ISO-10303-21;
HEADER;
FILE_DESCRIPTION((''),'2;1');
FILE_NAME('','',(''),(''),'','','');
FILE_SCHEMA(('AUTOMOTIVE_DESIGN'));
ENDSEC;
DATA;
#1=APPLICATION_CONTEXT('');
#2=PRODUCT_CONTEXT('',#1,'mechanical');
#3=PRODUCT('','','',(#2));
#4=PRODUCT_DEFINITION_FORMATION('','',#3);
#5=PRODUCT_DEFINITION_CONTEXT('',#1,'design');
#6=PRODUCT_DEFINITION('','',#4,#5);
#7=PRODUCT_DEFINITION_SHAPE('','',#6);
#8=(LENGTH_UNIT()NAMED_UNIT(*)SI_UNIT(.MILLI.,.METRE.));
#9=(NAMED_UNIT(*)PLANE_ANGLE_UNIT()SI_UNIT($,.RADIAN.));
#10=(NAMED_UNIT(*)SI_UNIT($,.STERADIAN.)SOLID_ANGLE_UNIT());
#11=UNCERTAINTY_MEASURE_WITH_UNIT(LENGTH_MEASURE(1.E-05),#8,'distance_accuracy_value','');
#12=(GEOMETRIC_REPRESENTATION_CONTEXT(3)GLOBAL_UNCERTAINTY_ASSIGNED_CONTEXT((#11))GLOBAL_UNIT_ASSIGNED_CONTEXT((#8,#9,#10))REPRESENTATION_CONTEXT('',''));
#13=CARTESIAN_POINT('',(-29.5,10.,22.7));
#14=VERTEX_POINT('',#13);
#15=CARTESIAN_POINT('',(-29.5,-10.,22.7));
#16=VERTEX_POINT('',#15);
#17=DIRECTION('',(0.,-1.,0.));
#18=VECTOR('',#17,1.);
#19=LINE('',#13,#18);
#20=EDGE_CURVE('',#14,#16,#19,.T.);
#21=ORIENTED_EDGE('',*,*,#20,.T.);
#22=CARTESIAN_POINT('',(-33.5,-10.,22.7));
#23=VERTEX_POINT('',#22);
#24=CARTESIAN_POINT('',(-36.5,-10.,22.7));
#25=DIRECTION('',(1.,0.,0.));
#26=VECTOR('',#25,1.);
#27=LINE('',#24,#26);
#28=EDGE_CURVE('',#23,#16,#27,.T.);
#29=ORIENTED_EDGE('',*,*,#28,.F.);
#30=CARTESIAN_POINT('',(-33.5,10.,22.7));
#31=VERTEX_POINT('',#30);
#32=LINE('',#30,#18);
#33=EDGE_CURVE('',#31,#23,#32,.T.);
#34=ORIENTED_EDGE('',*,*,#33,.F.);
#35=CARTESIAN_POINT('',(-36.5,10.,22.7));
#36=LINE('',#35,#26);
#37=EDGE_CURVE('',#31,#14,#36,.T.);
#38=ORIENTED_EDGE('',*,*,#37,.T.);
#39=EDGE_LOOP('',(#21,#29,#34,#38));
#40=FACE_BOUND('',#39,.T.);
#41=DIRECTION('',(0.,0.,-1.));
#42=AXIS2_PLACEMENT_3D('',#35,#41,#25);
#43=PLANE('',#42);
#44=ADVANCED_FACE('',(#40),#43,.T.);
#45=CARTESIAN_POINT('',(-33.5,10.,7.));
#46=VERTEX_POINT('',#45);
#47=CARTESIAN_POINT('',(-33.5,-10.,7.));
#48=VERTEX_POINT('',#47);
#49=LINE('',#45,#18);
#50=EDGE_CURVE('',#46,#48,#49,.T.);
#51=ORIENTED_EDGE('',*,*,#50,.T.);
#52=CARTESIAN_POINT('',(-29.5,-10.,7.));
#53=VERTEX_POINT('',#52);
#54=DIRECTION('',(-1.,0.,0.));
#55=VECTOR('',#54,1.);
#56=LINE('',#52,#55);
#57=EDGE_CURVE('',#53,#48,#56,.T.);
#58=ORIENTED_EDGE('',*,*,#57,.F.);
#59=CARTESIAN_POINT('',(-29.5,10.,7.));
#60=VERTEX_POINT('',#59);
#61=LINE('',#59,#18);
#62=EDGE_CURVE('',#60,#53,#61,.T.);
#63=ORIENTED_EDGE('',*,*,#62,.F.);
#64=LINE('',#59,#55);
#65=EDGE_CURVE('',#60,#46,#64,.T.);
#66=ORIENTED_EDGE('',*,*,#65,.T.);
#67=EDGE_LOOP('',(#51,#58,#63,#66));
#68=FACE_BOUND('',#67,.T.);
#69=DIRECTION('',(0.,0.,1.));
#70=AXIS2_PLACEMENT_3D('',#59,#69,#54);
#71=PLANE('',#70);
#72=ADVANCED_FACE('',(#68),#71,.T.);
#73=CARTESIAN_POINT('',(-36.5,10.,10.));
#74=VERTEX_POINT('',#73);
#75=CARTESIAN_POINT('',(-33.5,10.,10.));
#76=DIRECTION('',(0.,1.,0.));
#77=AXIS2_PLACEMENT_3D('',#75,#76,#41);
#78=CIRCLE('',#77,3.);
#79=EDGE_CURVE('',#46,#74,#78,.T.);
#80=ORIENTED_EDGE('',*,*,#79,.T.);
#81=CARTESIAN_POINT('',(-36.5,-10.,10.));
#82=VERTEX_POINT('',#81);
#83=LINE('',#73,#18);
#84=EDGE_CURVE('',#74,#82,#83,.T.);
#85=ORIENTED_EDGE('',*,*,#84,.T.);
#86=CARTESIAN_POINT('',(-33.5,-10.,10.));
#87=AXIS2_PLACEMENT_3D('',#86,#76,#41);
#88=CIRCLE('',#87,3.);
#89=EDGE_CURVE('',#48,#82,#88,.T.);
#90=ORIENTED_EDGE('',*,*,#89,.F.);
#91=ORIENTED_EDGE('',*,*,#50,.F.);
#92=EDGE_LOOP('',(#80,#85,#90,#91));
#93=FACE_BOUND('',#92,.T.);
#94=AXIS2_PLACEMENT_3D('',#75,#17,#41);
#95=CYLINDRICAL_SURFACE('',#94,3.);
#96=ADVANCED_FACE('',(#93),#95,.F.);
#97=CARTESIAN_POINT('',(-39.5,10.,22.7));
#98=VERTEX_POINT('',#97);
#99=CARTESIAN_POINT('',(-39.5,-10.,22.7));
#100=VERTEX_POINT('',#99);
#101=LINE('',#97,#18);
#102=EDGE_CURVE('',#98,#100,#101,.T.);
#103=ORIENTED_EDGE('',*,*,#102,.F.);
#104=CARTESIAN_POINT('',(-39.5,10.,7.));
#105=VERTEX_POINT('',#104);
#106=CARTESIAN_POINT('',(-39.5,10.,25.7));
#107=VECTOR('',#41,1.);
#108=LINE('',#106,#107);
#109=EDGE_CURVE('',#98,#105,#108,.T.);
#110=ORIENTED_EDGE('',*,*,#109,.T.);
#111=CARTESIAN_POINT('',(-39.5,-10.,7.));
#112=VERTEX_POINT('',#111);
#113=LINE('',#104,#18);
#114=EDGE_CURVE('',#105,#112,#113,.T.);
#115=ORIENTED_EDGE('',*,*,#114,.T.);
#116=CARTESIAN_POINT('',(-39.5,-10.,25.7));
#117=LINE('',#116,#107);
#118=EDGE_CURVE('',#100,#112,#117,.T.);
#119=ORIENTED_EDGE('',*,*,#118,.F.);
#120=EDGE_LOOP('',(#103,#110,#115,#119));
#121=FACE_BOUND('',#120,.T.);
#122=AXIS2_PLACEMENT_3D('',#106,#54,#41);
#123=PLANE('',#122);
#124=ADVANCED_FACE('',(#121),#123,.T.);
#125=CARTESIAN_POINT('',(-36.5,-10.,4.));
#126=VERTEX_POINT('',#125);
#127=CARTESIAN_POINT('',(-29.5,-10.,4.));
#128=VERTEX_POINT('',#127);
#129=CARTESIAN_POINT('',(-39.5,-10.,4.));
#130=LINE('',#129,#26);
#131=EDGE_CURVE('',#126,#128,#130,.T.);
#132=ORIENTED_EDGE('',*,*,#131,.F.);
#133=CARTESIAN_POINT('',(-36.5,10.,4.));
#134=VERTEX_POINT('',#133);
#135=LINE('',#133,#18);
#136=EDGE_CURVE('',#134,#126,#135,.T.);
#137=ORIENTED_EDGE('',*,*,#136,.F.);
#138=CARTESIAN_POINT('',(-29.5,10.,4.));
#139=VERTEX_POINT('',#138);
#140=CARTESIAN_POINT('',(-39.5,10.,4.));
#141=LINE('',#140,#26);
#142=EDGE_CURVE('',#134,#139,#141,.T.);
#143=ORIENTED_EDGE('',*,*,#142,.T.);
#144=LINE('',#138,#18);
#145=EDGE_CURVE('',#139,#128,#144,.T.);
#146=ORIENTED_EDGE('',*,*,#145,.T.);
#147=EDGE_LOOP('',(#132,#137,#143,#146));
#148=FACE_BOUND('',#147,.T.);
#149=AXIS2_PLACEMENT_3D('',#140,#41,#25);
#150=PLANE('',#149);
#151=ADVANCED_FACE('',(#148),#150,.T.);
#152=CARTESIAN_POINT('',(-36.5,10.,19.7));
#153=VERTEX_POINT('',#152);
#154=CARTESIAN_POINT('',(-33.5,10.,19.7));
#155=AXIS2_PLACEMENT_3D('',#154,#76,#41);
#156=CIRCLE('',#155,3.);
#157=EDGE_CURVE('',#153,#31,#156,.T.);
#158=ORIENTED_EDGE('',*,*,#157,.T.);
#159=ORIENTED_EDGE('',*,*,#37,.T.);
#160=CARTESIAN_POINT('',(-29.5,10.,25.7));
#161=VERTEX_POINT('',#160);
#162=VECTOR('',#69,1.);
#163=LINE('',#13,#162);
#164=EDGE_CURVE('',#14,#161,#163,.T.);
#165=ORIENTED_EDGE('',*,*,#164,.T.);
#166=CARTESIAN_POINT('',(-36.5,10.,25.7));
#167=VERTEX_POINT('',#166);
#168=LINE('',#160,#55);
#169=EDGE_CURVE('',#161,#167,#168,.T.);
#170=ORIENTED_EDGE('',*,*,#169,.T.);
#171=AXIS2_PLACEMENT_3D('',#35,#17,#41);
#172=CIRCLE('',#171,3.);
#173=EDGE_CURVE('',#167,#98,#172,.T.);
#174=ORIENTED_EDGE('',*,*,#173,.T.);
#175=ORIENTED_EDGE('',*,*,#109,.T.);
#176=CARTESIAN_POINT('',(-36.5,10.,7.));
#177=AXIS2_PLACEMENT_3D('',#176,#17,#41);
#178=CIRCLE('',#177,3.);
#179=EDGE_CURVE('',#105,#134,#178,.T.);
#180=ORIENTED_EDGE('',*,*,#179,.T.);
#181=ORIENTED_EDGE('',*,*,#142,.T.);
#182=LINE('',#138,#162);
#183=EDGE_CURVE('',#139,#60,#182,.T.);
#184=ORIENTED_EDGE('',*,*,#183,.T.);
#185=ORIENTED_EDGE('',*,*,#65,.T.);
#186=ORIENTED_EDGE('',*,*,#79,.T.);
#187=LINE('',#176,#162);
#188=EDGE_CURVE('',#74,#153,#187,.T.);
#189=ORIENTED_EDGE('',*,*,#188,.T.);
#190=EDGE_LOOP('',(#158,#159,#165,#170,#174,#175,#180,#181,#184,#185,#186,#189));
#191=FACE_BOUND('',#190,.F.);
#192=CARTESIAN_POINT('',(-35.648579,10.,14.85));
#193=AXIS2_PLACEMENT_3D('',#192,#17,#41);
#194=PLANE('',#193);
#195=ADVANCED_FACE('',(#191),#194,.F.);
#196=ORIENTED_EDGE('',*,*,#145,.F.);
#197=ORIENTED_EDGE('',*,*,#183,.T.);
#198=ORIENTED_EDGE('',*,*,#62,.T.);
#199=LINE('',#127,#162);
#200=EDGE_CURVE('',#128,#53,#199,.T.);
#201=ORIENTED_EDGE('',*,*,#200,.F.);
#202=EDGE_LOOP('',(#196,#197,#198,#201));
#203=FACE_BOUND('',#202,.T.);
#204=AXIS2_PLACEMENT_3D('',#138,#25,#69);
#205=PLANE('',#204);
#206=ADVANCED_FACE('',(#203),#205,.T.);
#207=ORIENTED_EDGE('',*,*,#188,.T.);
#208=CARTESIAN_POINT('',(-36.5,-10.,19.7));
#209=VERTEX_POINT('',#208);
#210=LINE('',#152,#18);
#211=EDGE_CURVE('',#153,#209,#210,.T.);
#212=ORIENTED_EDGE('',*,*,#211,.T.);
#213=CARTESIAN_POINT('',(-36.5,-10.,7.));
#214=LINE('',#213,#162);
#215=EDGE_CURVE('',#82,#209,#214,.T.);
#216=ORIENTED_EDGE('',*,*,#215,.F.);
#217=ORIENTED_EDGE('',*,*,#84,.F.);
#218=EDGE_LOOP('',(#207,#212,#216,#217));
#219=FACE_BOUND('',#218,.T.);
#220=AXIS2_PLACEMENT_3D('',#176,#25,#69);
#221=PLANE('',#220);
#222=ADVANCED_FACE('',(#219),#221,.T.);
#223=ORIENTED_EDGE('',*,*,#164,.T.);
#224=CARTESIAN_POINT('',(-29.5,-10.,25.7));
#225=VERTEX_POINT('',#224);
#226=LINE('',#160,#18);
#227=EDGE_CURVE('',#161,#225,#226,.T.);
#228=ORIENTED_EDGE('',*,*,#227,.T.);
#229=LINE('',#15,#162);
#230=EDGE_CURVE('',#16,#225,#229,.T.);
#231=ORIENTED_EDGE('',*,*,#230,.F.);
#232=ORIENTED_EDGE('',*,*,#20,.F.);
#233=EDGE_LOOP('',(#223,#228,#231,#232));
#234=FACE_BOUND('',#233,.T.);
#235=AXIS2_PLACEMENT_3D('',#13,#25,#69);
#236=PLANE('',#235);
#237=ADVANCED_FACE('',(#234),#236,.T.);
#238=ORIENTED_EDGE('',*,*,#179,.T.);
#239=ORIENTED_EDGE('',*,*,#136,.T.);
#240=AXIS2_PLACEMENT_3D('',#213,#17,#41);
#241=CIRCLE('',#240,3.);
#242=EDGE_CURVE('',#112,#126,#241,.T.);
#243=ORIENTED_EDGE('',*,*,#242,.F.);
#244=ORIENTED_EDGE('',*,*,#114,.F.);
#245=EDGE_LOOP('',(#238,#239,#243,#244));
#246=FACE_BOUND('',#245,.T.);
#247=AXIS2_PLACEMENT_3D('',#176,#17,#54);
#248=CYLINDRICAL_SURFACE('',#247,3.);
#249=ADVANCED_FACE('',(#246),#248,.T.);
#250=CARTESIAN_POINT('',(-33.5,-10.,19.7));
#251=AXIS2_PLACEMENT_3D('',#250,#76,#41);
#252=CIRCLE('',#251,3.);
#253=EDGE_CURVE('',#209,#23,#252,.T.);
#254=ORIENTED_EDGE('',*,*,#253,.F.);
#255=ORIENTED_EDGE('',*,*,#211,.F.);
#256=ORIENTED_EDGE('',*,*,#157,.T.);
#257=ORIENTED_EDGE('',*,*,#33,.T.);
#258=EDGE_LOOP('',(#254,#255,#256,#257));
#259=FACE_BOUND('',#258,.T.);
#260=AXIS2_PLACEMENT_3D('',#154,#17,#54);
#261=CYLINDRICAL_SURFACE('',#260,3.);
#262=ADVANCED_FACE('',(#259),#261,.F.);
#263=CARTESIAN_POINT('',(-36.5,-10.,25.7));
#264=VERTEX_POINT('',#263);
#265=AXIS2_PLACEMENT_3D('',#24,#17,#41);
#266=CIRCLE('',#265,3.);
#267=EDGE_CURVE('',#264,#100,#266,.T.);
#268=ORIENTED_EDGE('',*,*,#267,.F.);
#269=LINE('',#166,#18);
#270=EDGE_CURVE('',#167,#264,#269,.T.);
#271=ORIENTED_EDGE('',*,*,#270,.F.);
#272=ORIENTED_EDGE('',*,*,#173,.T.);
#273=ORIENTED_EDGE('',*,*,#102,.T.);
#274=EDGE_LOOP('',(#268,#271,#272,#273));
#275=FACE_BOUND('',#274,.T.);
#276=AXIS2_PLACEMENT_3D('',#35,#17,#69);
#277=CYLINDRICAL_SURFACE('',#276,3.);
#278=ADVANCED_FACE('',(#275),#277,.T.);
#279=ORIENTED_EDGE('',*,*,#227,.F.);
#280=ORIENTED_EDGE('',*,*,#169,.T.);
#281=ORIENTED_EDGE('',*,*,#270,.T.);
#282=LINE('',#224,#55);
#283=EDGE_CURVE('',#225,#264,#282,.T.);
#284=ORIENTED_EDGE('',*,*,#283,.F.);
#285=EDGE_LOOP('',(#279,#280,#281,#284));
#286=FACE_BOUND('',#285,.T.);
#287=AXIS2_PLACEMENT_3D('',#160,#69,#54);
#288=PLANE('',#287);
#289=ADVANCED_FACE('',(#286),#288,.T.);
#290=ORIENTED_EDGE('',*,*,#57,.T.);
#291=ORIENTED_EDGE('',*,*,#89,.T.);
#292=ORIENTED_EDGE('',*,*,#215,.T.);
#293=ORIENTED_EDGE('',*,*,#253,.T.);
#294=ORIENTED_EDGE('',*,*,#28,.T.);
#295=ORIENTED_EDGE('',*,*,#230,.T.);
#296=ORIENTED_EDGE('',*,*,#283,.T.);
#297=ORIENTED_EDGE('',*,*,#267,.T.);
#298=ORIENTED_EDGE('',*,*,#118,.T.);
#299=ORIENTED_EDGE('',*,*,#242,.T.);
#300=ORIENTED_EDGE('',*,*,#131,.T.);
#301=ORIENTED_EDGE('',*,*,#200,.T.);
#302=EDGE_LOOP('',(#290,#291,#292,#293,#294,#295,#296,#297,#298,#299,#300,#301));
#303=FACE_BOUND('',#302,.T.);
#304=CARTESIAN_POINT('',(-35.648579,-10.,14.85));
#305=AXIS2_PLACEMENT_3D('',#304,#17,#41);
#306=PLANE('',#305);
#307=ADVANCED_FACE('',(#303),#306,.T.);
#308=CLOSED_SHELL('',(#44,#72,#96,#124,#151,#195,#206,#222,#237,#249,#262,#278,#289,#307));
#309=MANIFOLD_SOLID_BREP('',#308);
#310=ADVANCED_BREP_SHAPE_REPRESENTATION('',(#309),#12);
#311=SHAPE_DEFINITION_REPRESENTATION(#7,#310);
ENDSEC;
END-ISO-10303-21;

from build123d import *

# Parameters (mm, degrees)
FILLET_R    = 3
FILLET001_R = 3
FILLET002_R = 3
FILLET003_R = 3


with BuildPart() as part:
    # Sweep: sweep along a path in Sketch005
    with BuildLine(Plane.XY) as sweep_path:
        Line((-30, 10), (-30, -10))
    # Sketch004 → Sweep (sweep)
    with BuildSketch(Plane.XZ):
        Polygon((-29.5, 25.7), (-39.5, 25.7), (-39.5, 4), (-29.5, 4), (-29.5, 7), (-36.5, 7), (-36.5, 22.7), (-29.5, 22.7), align=None)
    sweep(path=sweep_path.line)

    # Fillet
    fillet_edges = [part.edges().sort_by_distance(p)[0] for p in [
        (-39.5, 0, 25.7),
    ]]
    fillet(fillet_edges, radius=FILLET_R)

    # Fillet001
    fillet001_edges = [part.edges().sort_by_distance(p)[0] for p in [
        (-39.5, 0, 4),
    ]]
    fillet(fillet001_edges, radius=FILLET001_R)

    # Fillet002
    fillet002_edges = [part.edges().sort_by_distance(p)[0] for p in [
        (-36.5, 0, 7),
    ]]
    fillet(fillet002_edges, radius=FILLET002_R)

    # Fillet003
    fillet003_edges = [part.edges().sort_by_distance(p)[0] for p in [
        (-36.5, 0, 22.7),
    ]]
    fillet(fillet003_edges, radius=FILLET003_R)


solid = part.part
